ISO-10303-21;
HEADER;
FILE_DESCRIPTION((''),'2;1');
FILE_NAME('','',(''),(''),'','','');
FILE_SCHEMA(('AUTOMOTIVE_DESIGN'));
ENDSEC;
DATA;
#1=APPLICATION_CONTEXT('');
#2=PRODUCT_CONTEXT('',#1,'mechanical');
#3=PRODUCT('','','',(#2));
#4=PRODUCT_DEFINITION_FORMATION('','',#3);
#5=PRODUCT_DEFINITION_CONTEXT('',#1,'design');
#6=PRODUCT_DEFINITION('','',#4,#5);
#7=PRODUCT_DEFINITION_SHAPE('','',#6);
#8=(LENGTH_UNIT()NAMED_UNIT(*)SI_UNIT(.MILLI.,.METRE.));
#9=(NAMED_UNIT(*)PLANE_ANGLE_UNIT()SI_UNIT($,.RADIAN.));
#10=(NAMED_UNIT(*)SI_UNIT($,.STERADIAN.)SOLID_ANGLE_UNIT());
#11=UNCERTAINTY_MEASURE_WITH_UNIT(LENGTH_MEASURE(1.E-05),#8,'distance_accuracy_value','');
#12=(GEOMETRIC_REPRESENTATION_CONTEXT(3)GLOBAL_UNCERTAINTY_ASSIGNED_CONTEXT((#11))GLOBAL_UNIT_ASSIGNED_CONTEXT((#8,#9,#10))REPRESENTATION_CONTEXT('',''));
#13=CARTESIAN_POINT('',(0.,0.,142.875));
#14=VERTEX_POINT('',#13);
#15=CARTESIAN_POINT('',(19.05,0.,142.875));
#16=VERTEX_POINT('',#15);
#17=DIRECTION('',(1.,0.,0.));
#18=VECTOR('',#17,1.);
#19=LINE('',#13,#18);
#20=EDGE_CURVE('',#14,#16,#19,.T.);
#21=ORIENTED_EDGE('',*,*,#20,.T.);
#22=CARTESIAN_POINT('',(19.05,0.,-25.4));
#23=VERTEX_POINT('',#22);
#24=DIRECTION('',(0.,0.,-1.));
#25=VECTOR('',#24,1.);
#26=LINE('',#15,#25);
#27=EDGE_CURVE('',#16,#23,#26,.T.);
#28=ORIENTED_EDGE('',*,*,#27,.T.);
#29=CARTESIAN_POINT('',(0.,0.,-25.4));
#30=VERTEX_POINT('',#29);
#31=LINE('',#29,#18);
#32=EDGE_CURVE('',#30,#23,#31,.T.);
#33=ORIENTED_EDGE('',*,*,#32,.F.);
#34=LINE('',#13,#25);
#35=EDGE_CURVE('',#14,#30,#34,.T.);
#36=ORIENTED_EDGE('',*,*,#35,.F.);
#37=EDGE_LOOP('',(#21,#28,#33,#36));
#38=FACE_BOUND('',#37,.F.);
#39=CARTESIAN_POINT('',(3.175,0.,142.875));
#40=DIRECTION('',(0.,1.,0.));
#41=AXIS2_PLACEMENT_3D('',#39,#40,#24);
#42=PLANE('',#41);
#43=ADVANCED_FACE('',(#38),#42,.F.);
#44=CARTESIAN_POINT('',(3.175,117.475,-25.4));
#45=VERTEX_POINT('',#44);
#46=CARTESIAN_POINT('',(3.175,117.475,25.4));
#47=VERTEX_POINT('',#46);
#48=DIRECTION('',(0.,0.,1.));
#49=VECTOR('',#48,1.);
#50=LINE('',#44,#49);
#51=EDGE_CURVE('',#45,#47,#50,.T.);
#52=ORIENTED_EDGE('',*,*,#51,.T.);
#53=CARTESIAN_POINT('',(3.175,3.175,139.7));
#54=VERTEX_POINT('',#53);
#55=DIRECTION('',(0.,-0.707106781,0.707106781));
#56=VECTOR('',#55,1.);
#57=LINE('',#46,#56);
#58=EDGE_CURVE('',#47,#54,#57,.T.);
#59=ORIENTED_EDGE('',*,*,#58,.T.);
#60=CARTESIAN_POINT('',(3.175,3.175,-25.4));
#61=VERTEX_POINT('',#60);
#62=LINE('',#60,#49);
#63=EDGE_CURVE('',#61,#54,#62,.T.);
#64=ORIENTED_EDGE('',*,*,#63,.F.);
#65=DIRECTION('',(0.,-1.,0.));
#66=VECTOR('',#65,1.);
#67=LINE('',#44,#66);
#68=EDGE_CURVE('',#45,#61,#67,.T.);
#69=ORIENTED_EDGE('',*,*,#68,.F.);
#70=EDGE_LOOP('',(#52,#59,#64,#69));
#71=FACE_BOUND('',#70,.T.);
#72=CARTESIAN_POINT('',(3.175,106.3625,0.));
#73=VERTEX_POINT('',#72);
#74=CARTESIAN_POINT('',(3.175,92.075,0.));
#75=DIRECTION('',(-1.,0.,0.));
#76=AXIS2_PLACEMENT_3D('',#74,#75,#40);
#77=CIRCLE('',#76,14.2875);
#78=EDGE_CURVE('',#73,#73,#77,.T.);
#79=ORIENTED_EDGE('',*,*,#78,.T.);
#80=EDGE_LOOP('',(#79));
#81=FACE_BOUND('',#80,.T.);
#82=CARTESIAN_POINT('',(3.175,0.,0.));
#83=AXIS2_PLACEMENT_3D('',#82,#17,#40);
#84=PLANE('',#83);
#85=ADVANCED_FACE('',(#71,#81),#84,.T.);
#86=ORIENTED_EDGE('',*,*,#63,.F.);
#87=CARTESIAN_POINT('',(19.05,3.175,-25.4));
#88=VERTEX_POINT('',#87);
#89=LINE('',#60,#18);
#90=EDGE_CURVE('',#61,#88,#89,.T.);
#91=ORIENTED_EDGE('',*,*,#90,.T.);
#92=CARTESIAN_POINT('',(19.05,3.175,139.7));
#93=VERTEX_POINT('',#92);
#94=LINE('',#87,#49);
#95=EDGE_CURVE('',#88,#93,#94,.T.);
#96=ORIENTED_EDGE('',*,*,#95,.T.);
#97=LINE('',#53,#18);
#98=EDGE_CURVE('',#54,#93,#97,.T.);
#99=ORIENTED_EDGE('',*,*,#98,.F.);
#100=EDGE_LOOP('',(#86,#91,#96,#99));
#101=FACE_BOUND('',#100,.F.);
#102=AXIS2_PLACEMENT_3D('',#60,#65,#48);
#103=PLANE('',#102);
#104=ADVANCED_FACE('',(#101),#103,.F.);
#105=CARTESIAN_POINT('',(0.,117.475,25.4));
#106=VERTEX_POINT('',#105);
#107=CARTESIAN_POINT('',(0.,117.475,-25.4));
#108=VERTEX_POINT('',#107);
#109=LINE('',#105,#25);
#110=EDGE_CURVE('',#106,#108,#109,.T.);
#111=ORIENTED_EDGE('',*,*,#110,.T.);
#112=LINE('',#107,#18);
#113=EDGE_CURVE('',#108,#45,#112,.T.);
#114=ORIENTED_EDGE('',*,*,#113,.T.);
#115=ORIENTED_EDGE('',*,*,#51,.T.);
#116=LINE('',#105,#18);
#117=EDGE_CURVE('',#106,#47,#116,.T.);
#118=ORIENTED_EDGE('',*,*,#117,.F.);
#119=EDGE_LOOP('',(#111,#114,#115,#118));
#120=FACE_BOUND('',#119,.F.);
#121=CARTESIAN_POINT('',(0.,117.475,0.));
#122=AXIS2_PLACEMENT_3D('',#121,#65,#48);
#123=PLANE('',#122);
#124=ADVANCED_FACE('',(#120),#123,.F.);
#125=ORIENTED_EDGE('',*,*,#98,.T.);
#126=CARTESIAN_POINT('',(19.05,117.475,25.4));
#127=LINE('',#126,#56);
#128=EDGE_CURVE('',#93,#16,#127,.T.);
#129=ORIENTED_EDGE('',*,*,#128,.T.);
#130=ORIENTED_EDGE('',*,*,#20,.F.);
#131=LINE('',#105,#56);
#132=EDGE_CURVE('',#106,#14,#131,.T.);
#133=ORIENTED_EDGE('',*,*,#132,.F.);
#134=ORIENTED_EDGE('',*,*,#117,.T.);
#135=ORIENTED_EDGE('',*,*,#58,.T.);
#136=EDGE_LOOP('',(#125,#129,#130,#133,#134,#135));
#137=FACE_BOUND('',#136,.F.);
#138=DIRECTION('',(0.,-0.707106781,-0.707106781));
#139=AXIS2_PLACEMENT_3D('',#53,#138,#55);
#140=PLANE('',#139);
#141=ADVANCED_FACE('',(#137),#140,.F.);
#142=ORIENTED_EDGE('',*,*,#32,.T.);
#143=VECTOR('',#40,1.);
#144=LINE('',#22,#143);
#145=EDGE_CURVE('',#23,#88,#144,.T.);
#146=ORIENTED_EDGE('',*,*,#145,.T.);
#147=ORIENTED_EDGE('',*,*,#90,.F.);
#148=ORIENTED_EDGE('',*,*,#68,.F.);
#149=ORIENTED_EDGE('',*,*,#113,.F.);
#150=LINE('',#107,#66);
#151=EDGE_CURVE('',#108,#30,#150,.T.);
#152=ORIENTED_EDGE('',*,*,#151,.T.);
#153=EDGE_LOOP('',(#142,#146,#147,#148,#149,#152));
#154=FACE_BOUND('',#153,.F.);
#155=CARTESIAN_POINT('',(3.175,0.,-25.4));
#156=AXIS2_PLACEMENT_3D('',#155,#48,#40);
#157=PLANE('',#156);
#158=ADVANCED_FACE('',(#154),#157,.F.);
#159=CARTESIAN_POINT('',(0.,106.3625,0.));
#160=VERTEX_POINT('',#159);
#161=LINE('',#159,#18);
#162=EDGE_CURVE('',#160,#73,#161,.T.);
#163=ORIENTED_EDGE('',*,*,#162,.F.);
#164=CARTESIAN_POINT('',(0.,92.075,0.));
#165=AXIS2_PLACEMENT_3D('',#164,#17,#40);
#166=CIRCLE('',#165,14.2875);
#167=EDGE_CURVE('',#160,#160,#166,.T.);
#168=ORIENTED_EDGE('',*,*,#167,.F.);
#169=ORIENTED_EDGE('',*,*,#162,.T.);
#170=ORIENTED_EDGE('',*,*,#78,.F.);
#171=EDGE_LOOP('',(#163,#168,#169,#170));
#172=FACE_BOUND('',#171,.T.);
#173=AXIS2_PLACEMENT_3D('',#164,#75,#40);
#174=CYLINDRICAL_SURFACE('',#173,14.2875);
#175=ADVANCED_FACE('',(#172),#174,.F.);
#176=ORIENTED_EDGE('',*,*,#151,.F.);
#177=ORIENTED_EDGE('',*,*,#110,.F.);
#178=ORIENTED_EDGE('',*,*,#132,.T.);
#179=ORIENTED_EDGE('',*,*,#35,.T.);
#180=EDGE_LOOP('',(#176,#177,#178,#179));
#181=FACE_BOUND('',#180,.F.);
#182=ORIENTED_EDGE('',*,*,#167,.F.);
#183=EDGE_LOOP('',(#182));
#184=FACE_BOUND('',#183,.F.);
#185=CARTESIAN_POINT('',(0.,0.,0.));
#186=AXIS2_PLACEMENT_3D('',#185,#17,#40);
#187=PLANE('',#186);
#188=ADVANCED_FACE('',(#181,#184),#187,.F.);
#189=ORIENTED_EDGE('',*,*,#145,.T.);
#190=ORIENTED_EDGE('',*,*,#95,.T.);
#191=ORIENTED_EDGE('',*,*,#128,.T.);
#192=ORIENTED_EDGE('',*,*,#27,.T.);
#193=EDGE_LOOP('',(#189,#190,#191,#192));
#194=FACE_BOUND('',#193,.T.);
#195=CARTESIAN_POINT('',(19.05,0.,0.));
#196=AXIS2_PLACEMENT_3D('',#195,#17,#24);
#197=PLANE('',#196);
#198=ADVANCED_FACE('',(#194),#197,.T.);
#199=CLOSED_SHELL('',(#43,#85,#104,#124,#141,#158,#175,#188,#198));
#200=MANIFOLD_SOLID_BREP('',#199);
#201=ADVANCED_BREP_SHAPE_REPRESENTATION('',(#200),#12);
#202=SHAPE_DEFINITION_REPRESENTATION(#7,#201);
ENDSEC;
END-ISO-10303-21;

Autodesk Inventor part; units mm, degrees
ref_plane "YZ Plane" through (0, 0, 0) normal (1, 0, 0) x (0, 1, 0)
ref_plane "XZ Plane" through (0, 0, 0) normal (0, 1, 0) x (-1, 0, 0)
ref_plane "XY Plane" through (0, 0, 0) normal (0, 0, 1) x (1, 0, 0)
sketch "Sketch1" plane through (0, 0, 0) normal (1, 0, 0) x (0, 1, 0)
  line L0 (0, 0) -> (92.075, 0)
  line L1 (0, 0) -> (92.075, 0) construction
  circle A0 centre (92.075, 0) radius 14.2875
  line L2 (92.075, 0) -> (117.475, 0)
  line L3 (92.075, 0) -> (117.475, 0) construction
  line L4 (117.475, 0) -> (117.475, -25.4)
  line L5 (117.475, -25.4) -> (0, -25.4)
  line L6 (0, -25.4) -> (0, 0)
  line L7 (117.475, 0) -> (117.475, 25.4)
  line L8 (117.475, 0) -> (142.875, 0) construction
  line L9 (117.475, 25.4) -> (0, 142.875)
  line L10 (0, 142.875) -> (0, 0)
  dimension "d0" = 92.075
  dimension "d1" = 0
  dimension "d2" = 28.575
  dimension "d3" = 25.4
  dimension "d4" = 0
  dimension "d5" = 25.4
  dimension "d6" = 90
  dimension "d7" = 25.4
  dimension "d8" = 90
  dimension "d9" = 135
extrude "Extrusion1" add sketch "Sketch1" along normal blind 3.175 contours L10 L9 L7 L2 A0 L0 | L0 A0 L2 L4 L5 L6
sketch "Sketch2" plane through (3.175, 0, 0) normal (1, 0, 0) x (0, 0, -1)
  line L0 (-142.875, 0) -> (25.4, 0) projected
  line L1 (25.4, 0) -> (25.4, 117.475) projected
  line L2 (-25.4, 117.475) -> (-142.875, 0) projected
  line L3 (25.4, 0) -> (25.4, 3.175)
  line L4 (25.4, 0) -> (28.575, 0) construction
  line L5 (25.4, 3.175) -> (-139.7, 3.175)
  point P0 (0, 0)
  dimension "d12" = 3.175
  dimension "d13" = 90
extrude "Extrusion2" add sketch "Sketch2" along normal blind 15.875
properties part number "Z-Plate-R"
